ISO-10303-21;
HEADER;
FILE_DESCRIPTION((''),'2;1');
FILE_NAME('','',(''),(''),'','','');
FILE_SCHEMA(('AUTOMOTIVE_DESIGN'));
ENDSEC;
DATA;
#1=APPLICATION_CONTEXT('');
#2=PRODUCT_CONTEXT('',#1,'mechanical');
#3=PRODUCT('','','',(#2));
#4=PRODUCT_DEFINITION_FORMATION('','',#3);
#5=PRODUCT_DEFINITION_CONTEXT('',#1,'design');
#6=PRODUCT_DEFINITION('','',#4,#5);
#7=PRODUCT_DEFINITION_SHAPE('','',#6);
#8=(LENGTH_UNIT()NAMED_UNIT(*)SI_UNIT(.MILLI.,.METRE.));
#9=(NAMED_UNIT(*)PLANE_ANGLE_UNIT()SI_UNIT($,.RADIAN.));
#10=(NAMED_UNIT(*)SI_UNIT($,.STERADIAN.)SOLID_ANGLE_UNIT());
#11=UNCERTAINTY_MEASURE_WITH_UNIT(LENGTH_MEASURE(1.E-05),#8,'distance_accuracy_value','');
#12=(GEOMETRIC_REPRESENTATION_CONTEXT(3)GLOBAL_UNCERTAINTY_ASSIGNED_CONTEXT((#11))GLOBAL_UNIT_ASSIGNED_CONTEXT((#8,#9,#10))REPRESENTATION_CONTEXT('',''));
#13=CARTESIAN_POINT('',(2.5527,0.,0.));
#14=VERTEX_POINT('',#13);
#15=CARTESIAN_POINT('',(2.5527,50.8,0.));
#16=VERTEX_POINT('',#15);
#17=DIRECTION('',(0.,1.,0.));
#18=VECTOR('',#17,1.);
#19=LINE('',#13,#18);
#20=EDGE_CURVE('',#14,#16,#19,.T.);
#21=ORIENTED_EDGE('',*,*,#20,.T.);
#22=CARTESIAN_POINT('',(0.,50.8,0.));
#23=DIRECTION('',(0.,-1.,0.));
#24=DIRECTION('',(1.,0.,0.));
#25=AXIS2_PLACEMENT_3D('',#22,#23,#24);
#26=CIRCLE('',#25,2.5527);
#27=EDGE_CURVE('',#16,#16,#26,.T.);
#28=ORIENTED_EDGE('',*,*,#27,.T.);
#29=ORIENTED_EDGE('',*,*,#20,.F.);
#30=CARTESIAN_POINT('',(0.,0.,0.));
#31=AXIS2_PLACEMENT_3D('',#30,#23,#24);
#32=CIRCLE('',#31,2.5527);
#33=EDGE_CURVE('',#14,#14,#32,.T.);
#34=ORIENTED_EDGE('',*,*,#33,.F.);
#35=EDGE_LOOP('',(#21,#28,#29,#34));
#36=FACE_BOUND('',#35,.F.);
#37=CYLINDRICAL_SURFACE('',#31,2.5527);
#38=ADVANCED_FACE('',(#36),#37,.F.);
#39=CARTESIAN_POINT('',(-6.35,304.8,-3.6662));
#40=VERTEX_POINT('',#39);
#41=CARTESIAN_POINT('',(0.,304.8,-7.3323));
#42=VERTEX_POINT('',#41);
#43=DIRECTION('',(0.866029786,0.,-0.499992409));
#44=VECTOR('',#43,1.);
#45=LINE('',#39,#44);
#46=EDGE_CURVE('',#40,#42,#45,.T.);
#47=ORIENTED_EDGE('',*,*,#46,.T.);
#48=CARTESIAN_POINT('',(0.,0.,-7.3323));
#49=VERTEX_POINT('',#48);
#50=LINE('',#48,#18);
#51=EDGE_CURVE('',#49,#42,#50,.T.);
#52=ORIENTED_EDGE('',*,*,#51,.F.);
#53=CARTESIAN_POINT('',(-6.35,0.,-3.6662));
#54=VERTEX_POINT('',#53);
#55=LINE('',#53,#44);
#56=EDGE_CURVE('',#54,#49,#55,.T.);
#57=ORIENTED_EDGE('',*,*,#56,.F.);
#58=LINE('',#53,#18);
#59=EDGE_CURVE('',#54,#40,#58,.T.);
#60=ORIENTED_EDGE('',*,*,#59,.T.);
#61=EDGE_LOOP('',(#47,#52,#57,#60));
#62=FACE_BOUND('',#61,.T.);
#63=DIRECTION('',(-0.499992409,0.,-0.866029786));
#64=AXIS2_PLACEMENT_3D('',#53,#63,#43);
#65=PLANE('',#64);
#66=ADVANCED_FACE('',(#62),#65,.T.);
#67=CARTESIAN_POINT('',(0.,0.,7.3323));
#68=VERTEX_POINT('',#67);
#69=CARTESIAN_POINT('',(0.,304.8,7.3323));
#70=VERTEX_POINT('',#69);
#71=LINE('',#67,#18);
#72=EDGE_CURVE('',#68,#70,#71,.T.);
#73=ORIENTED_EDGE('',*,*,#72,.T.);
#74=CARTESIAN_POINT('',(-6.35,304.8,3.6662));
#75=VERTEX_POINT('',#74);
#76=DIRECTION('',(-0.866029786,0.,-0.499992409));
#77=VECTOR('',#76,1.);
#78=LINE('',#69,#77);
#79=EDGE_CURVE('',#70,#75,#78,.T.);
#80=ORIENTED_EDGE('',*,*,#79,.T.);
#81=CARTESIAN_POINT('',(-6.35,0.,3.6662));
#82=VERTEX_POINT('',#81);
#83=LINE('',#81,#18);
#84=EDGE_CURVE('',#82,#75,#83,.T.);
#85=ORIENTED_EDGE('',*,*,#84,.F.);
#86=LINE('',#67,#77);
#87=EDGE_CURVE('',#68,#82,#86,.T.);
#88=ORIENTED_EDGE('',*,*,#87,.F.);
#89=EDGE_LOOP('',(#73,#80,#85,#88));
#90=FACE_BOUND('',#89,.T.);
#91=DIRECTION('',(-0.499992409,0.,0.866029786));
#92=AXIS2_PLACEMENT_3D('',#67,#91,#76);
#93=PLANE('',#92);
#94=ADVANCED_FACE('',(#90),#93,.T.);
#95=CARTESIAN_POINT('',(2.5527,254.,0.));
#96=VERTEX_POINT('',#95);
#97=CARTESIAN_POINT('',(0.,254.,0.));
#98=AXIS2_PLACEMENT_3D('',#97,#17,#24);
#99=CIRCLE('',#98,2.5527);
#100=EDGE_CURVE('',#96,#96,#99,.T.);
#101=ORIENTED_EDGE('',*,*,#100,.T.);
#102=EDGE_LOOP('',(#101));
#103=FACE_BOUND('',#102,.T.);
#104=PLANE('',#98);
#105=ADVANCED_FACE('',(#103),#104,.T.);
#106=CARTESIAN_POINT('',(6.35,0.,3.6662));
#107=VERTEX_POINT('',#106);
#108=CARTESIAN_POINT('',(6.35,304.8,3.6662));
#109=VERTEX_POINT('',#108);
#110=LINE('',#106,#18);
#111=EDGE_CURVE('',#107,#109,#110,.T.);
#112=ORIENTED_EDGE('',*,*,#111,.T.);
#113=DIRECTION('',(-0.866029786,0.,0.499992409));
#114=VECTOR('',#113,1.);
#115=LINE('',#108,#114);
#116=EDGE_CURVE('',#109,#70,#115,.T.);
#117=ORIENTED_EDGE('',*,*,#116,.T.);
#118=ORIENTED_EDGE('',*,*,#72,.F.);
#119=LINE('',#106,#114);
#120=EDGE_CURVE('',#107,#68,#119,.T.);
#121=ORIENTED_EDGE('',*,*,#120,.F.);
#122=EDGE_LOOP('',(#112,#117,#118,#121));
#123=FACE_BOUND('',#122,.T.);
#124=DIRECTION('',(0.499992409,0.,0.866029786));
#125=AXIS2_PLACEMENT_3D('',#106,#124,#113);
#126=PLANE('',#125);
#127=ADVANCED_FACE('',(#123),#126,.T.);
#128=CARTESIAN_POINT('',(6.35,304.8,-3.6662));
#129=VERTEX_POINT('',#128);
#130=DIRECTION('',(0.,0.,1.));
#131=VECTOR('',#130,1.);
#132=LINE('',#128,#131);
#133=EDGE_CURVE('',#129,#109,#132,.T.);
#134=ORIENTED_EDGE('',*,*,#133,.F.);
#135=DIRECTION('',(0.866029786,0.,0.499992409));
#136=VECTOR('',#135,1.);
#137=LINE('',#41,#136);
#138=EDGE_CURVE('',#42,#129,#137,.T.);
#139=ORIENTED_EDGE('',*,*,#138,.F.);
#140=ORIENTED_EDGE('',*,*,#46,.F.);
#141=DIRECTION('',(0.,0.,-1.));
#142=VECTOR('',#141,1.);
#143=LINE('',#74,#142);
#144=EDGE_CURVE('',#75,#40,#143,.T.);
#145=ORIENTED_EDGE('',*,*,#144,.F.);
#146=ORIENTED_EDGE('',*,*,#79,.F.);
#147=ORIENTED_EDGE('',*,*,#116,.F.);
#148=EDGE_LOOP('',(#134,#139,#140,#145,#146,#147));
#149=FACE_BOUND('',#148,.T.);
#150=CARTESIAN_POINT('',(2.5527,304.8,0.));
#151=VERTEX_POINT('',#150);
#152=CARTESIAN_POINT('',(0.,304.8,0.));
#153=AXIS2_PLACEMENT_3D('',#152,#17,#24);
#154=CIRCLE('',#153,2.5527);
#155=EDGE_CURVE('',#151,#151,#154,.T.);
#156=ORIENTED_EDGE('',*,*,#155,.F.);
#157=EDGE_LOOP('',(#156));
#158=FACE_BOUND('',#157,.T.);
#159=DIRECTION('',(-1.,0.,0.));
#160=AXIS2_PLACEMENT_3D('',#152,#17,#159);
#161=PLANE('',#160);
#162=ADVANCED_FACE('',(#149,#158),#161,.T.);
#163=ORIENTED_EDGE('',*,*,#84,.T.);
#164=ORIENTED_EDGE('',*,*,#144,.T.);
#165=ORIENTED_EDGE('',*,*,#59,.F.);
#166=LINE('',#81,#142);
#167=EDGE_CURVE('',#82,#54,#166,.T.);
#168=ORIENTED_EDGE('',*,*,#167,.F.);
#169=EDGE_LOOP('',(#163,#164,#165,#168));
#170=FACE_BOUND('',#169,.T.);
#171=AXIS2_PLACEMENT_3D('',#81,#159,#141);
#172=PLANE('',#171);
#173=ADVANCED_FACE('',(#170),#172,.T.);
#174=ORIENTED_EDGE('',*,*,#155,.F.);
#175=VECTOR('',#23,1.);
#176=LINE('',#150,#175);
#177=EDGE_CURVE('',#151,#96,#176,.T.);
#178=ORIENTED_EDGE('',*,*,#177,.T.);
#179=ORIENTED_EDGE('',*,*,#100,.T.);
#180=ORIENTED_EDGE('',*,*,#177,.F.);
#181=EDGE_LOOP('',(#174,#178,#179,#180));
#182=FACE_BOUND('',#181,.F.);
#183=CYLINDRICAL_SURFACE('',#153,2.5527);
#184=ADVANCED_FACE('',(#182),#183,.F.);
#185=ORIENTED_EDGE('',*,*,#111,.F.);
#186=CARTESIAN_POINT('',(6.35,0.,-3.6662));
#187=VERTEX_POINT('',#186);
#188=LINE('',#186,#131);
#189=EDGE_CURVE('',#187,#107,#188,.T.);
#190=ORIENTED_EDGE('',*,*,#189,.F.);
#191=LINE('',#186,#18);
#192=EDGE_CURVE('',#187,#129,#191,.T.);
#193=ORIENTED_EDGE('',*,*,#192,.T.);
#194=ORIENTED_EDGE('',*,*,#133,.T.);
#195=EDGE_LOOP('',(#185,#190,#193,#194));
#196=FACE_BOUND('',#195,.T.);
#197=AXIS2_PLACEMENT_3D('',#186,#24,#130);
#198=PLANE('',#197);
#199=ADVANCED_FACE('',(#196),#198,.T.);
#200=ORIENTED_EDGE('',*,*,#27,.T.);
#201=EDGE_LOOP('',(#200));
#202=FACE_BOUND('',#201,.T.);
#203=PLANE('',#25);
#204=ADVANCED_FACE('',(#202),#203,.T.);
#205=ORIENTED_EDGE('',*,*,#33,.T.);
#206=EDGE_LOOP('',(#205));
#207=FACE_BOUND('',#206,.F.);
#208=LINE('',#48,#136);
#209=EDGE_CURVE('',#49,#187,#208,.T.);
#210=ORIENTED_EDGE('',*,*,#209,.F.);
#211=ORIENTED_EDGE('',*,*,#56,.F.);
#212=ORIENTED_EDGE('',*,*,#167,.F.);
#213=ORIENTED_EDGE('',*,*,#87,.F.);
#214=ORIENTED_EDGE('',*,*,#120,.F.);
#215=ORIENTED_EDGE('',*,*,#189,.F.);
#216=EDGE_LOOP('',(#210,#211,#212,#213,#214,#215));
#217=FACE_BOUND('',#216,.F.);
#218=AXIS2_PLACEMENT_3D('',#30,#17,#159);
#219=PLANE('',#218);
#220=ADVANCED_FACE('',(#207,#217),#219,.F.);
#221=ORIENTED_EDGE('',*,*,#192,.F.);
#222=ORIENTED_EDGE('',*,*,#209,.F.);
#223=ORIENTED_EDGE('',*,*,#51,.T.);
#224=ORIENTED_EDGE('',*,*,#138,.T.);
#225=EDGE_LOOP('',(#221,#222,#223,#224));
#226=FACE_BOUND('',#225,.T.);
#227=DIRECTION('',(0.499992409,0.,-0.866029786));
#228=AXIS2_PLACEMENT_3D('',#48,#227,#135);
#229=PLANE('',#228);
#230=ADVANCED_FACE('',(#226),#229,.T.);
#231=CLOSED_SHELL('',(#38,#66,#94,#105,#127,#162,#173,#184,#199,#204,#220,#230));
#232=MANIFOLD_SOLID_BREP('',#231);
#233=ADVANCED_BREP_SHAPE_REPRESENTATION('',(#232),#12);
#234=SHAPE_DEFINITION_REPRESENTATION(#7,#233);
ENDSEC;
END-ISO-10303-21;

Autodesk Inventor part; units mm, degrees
ref_plane "YZ Plane" through (0, 0, 0) normal (1, 0, 0) x (0, 1, 0)
ref_plane "XZ Plane" through (0, 0, 0) normal (0, 1, 0) x (-1, 0, 0)
ref_plane "XY Plane" through (0, 0, 0) normal (0, 0, 1) x (1, 0, 0)
sketch "Sketch1" plane through (0, 0, 0) normal (0, 1, 0) x (-1, 0, 0)
  line L0 (6.35, 3.6662) -> (6.35, -3.6662)
  line L1 (6.35, -3.6662) -> (0, -7.3323)
  line L2 (0, -7.3323) -> (-6.35, -3.6662)
  line L3 (-6.35, -3.6662) -> (-6.35, 3.6662)
  line L4 (-6.35, 3.6662) -> (0, 7.3323)
  line L5 (0, 7.3323) -> (6.35, 3.6662)
  point P0 (0, 0)
  point P1 (0, 0)
  point P2 (-6.35, 0)
  point P3 (6.35, 0)
  dimension "d0" = 12.7
extrude "Extrusion1" add sketch "Sketch1" along normal blind 304.8
sketch "Sketch2" plane through (0, 304.8, 0) normal (0, 1, 0) x (1, 0, 0)
  circle A0 centre (0, 0) radius 2.5527
  dimension "d3" = 5.1054
extrude "Extrusion2" cut sketch "Sketch2" against normal blind 50.8
sketch "Sketch3" plane through (0, 0, 0) normal (0, -1, 0) x (1, 0, 0)
  circle A0 centre (0, 0) radius 2.5527
  dimension "d6" = 5.1054
extrude "Extrusion3" cut sketch "Sketch3" against normal blind 50.8
thread "Thread1" size "1/4-20 UNC" class "2B" standard "ANSI Unified Screw Threads" full length
properties part number "CORL_003_Shaft" material "Aluminum 6061"
